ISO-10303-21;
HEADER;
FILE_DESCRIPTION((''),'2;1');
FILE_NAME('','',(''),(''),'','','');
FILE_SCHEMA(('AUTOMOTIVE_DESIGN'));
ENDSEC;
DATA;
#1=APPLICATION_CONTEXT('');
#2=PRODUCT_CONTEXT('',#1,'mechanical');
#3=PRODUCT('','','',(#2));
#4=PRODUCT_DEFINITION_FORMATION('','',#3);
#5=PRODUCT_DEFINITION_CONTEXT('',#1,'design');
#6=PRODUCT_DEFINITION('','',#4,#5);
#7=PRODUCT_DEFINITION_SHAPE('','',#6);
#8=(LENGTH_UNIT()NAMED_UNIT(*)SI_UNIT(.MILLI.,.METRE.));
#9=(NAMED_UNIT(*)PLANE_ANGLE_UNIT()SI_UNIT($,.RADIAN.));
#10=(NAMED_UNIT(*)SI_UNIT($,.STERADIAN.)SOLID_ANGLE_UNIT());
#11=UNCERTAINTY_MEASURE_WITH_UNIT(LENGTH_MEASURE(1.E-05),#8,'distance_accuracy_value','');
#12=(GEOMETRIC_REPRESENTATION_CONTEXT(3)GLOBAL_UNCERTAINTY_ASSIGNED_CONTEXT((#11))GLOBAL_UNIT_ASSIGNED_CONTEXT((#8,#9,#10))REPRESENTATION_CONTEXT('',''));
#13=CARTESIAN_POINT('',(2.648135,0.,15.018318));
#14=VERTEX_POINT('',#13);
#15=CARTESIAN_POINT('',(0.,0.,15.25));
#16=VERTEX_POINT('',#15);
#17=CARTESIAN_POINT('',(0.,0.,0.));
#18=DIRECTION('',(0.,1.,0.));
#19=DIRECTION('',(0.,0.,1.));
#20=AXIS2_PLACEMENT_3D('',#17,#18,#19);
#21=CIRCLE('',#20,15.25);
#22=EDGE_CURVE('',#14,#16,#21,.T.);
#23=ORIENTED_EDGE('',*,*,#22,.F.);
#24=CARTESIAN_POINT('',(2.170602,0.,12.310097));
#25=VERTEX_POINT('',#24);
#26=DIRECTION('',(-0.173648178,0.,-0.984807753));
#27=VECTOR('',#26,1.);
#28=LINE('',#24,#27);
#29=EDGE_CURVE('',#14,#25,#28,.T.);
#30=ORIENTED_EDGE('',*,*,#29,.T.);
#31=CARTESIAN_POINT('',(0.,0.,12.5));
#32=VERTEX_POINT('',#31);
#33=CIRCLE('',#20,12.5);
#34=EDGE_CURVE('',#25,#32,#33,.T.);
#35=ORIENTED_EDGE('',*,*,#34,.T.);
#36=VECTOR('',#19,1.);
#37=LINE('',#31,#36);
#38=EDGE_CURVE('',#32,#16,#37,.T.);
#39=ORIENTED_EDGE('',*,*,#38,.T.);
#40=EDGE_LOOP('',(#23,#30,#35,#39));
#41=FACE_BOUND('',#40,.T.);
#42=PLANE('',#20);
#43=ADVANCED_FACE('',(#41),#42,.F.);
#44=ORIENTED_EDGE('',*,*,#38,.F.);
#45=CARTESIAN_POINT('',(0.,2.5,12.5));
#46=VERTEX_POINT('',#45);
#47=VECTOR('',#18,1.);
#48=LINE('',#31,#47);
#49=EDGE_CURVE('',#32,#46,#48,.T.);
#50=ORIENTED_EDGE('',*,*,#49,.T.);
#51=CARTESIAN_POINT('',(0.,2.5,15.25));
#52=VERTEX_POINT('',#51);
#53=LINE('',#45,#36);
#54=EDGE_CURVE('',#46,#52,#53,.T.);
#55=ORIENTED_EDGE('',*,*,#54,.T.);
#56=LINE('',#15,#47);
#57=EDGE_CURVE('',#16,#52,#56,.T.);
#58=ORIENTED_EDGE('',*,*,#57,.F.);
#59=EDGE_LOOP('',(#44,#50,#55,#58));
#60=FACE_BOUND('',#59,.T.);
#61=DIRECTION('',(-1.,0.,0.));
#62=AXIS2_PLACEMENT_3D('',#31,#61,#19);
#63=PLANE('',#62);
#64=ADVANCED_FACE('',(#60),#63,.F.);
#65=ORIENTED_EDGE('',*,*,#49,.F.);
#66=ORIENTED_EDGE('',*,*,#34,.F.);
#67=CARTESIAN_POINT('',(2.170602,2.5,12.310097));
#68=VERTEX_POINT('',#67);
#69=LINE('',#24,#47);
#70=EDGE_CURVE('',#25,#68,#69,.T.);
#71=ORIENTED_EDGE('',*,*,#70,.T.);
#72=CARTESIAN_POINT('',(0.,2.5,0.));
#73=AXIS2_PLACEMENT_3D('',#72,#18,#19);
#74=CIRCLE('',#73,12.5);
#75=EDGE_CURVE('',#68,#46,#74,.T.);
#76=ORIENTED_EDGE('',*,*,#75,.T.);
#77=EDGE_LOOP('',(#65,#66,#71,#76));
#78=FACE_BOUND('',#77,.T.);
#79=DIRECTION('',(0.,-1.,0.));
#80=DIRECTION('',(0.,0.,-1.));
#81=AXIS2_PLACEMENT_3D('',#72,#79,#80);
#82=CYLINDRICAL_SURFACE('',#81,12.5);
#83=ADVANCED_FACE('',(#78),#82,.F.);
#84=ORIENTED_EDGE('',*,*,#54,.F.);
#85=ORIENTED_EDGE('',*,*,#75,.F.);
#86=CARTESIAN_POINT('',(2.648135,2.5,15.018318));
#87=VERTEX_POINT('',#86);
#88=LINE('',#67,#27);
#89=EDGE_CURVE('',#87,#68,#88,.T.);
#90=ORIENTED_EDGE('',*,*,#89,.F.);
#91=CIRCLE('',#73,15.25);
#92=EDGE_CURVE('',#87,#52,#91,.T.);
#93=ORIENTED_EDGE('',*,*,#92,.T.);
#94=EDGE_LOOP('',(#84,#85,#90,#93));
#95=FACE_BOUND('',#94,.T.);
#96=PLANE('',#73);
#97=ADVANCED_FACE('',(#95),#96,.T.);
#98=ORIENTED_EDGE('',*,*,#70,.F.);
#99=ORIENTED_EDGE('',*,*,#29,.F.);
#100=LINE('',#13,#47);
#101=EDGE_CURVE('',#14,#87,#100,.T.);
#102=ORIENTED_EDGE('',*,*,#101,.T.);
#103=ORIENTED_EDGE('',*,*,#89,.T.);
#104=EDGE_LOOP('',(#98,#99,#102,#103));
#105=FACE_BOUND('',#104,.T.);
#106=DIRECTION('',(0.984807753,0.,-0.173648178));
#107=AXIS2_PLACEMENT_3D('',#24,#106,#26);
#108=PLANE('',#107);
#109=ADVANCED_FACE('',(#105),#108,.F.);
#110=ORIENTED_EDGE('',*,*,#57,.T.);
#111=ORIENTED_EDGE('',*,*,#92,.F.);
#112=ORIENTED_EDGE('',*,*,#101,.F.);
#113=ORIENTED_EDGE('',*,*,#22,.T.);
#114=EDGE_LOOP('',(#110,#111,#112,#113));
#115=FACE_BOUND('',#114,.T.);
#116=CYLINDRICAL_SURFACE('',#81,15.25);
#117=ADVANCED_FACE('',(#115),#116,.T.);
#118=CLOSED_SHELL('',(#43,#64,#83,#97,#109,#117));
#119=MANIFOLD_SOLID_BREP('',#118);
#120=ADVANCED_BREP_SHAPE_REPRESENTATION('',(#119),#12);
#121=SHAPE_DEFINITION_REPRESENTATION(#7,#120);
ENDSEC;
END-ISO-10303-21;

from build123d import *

# Parameters (mm, degrees)
SKETCH1_R      = 15.25
SKETCH1_R_2    = 12.5
EXTRUDE1_DEPTH = 2.5
EXTRUDE2_DEPTH = 3.5


with BuildPart() as part:
    # Sketch1 → Extrude1 (new body)
    with BuildSketch(Plane(origin=(0, 0, 0), x_dir=(1, 0, 0), z_dir=(0, 1, 0))):
        with Locations(Location((0, 0, 0), (0, 0, 270))):  # turned: the seam where the file's is
            Circle(SKETCH1_R)
        with Locations(Location((0, 0, 0), (0, 0, 270))):  # turned: the seam where the file's is
            Circle(SKETCH1_R_2, mode=Mode.SUBTRACT)
    extrude(amount=EXTRUDE1_DEPTH)

    # Sketch2 → Extrude2 (cut, through all)
    with BuildSketch(Plane(origin=(0, 2.5, 0), x_dir=(1, 0, 0), z_dir=(0, 1, 0))):
        with BuildLine():
            Line((0, -12.5), (0, -15.25))
            ThreePointArc((0, -15.25), (1.329125077, -15.191969146), (2.648134709, -15.018318233))
            Line((2.648134709, -15.018318233), (2.170602221, -12.310096913))
            ThreePointArc((2.170602221, -12.310096913), (1.089446784, -12.452433726), (0, -12.5))
        make_face()
    extrude(amount=-EXTRUDE2_DEPTH, mode=Mode.SUBTRACT)


solid = part.part
